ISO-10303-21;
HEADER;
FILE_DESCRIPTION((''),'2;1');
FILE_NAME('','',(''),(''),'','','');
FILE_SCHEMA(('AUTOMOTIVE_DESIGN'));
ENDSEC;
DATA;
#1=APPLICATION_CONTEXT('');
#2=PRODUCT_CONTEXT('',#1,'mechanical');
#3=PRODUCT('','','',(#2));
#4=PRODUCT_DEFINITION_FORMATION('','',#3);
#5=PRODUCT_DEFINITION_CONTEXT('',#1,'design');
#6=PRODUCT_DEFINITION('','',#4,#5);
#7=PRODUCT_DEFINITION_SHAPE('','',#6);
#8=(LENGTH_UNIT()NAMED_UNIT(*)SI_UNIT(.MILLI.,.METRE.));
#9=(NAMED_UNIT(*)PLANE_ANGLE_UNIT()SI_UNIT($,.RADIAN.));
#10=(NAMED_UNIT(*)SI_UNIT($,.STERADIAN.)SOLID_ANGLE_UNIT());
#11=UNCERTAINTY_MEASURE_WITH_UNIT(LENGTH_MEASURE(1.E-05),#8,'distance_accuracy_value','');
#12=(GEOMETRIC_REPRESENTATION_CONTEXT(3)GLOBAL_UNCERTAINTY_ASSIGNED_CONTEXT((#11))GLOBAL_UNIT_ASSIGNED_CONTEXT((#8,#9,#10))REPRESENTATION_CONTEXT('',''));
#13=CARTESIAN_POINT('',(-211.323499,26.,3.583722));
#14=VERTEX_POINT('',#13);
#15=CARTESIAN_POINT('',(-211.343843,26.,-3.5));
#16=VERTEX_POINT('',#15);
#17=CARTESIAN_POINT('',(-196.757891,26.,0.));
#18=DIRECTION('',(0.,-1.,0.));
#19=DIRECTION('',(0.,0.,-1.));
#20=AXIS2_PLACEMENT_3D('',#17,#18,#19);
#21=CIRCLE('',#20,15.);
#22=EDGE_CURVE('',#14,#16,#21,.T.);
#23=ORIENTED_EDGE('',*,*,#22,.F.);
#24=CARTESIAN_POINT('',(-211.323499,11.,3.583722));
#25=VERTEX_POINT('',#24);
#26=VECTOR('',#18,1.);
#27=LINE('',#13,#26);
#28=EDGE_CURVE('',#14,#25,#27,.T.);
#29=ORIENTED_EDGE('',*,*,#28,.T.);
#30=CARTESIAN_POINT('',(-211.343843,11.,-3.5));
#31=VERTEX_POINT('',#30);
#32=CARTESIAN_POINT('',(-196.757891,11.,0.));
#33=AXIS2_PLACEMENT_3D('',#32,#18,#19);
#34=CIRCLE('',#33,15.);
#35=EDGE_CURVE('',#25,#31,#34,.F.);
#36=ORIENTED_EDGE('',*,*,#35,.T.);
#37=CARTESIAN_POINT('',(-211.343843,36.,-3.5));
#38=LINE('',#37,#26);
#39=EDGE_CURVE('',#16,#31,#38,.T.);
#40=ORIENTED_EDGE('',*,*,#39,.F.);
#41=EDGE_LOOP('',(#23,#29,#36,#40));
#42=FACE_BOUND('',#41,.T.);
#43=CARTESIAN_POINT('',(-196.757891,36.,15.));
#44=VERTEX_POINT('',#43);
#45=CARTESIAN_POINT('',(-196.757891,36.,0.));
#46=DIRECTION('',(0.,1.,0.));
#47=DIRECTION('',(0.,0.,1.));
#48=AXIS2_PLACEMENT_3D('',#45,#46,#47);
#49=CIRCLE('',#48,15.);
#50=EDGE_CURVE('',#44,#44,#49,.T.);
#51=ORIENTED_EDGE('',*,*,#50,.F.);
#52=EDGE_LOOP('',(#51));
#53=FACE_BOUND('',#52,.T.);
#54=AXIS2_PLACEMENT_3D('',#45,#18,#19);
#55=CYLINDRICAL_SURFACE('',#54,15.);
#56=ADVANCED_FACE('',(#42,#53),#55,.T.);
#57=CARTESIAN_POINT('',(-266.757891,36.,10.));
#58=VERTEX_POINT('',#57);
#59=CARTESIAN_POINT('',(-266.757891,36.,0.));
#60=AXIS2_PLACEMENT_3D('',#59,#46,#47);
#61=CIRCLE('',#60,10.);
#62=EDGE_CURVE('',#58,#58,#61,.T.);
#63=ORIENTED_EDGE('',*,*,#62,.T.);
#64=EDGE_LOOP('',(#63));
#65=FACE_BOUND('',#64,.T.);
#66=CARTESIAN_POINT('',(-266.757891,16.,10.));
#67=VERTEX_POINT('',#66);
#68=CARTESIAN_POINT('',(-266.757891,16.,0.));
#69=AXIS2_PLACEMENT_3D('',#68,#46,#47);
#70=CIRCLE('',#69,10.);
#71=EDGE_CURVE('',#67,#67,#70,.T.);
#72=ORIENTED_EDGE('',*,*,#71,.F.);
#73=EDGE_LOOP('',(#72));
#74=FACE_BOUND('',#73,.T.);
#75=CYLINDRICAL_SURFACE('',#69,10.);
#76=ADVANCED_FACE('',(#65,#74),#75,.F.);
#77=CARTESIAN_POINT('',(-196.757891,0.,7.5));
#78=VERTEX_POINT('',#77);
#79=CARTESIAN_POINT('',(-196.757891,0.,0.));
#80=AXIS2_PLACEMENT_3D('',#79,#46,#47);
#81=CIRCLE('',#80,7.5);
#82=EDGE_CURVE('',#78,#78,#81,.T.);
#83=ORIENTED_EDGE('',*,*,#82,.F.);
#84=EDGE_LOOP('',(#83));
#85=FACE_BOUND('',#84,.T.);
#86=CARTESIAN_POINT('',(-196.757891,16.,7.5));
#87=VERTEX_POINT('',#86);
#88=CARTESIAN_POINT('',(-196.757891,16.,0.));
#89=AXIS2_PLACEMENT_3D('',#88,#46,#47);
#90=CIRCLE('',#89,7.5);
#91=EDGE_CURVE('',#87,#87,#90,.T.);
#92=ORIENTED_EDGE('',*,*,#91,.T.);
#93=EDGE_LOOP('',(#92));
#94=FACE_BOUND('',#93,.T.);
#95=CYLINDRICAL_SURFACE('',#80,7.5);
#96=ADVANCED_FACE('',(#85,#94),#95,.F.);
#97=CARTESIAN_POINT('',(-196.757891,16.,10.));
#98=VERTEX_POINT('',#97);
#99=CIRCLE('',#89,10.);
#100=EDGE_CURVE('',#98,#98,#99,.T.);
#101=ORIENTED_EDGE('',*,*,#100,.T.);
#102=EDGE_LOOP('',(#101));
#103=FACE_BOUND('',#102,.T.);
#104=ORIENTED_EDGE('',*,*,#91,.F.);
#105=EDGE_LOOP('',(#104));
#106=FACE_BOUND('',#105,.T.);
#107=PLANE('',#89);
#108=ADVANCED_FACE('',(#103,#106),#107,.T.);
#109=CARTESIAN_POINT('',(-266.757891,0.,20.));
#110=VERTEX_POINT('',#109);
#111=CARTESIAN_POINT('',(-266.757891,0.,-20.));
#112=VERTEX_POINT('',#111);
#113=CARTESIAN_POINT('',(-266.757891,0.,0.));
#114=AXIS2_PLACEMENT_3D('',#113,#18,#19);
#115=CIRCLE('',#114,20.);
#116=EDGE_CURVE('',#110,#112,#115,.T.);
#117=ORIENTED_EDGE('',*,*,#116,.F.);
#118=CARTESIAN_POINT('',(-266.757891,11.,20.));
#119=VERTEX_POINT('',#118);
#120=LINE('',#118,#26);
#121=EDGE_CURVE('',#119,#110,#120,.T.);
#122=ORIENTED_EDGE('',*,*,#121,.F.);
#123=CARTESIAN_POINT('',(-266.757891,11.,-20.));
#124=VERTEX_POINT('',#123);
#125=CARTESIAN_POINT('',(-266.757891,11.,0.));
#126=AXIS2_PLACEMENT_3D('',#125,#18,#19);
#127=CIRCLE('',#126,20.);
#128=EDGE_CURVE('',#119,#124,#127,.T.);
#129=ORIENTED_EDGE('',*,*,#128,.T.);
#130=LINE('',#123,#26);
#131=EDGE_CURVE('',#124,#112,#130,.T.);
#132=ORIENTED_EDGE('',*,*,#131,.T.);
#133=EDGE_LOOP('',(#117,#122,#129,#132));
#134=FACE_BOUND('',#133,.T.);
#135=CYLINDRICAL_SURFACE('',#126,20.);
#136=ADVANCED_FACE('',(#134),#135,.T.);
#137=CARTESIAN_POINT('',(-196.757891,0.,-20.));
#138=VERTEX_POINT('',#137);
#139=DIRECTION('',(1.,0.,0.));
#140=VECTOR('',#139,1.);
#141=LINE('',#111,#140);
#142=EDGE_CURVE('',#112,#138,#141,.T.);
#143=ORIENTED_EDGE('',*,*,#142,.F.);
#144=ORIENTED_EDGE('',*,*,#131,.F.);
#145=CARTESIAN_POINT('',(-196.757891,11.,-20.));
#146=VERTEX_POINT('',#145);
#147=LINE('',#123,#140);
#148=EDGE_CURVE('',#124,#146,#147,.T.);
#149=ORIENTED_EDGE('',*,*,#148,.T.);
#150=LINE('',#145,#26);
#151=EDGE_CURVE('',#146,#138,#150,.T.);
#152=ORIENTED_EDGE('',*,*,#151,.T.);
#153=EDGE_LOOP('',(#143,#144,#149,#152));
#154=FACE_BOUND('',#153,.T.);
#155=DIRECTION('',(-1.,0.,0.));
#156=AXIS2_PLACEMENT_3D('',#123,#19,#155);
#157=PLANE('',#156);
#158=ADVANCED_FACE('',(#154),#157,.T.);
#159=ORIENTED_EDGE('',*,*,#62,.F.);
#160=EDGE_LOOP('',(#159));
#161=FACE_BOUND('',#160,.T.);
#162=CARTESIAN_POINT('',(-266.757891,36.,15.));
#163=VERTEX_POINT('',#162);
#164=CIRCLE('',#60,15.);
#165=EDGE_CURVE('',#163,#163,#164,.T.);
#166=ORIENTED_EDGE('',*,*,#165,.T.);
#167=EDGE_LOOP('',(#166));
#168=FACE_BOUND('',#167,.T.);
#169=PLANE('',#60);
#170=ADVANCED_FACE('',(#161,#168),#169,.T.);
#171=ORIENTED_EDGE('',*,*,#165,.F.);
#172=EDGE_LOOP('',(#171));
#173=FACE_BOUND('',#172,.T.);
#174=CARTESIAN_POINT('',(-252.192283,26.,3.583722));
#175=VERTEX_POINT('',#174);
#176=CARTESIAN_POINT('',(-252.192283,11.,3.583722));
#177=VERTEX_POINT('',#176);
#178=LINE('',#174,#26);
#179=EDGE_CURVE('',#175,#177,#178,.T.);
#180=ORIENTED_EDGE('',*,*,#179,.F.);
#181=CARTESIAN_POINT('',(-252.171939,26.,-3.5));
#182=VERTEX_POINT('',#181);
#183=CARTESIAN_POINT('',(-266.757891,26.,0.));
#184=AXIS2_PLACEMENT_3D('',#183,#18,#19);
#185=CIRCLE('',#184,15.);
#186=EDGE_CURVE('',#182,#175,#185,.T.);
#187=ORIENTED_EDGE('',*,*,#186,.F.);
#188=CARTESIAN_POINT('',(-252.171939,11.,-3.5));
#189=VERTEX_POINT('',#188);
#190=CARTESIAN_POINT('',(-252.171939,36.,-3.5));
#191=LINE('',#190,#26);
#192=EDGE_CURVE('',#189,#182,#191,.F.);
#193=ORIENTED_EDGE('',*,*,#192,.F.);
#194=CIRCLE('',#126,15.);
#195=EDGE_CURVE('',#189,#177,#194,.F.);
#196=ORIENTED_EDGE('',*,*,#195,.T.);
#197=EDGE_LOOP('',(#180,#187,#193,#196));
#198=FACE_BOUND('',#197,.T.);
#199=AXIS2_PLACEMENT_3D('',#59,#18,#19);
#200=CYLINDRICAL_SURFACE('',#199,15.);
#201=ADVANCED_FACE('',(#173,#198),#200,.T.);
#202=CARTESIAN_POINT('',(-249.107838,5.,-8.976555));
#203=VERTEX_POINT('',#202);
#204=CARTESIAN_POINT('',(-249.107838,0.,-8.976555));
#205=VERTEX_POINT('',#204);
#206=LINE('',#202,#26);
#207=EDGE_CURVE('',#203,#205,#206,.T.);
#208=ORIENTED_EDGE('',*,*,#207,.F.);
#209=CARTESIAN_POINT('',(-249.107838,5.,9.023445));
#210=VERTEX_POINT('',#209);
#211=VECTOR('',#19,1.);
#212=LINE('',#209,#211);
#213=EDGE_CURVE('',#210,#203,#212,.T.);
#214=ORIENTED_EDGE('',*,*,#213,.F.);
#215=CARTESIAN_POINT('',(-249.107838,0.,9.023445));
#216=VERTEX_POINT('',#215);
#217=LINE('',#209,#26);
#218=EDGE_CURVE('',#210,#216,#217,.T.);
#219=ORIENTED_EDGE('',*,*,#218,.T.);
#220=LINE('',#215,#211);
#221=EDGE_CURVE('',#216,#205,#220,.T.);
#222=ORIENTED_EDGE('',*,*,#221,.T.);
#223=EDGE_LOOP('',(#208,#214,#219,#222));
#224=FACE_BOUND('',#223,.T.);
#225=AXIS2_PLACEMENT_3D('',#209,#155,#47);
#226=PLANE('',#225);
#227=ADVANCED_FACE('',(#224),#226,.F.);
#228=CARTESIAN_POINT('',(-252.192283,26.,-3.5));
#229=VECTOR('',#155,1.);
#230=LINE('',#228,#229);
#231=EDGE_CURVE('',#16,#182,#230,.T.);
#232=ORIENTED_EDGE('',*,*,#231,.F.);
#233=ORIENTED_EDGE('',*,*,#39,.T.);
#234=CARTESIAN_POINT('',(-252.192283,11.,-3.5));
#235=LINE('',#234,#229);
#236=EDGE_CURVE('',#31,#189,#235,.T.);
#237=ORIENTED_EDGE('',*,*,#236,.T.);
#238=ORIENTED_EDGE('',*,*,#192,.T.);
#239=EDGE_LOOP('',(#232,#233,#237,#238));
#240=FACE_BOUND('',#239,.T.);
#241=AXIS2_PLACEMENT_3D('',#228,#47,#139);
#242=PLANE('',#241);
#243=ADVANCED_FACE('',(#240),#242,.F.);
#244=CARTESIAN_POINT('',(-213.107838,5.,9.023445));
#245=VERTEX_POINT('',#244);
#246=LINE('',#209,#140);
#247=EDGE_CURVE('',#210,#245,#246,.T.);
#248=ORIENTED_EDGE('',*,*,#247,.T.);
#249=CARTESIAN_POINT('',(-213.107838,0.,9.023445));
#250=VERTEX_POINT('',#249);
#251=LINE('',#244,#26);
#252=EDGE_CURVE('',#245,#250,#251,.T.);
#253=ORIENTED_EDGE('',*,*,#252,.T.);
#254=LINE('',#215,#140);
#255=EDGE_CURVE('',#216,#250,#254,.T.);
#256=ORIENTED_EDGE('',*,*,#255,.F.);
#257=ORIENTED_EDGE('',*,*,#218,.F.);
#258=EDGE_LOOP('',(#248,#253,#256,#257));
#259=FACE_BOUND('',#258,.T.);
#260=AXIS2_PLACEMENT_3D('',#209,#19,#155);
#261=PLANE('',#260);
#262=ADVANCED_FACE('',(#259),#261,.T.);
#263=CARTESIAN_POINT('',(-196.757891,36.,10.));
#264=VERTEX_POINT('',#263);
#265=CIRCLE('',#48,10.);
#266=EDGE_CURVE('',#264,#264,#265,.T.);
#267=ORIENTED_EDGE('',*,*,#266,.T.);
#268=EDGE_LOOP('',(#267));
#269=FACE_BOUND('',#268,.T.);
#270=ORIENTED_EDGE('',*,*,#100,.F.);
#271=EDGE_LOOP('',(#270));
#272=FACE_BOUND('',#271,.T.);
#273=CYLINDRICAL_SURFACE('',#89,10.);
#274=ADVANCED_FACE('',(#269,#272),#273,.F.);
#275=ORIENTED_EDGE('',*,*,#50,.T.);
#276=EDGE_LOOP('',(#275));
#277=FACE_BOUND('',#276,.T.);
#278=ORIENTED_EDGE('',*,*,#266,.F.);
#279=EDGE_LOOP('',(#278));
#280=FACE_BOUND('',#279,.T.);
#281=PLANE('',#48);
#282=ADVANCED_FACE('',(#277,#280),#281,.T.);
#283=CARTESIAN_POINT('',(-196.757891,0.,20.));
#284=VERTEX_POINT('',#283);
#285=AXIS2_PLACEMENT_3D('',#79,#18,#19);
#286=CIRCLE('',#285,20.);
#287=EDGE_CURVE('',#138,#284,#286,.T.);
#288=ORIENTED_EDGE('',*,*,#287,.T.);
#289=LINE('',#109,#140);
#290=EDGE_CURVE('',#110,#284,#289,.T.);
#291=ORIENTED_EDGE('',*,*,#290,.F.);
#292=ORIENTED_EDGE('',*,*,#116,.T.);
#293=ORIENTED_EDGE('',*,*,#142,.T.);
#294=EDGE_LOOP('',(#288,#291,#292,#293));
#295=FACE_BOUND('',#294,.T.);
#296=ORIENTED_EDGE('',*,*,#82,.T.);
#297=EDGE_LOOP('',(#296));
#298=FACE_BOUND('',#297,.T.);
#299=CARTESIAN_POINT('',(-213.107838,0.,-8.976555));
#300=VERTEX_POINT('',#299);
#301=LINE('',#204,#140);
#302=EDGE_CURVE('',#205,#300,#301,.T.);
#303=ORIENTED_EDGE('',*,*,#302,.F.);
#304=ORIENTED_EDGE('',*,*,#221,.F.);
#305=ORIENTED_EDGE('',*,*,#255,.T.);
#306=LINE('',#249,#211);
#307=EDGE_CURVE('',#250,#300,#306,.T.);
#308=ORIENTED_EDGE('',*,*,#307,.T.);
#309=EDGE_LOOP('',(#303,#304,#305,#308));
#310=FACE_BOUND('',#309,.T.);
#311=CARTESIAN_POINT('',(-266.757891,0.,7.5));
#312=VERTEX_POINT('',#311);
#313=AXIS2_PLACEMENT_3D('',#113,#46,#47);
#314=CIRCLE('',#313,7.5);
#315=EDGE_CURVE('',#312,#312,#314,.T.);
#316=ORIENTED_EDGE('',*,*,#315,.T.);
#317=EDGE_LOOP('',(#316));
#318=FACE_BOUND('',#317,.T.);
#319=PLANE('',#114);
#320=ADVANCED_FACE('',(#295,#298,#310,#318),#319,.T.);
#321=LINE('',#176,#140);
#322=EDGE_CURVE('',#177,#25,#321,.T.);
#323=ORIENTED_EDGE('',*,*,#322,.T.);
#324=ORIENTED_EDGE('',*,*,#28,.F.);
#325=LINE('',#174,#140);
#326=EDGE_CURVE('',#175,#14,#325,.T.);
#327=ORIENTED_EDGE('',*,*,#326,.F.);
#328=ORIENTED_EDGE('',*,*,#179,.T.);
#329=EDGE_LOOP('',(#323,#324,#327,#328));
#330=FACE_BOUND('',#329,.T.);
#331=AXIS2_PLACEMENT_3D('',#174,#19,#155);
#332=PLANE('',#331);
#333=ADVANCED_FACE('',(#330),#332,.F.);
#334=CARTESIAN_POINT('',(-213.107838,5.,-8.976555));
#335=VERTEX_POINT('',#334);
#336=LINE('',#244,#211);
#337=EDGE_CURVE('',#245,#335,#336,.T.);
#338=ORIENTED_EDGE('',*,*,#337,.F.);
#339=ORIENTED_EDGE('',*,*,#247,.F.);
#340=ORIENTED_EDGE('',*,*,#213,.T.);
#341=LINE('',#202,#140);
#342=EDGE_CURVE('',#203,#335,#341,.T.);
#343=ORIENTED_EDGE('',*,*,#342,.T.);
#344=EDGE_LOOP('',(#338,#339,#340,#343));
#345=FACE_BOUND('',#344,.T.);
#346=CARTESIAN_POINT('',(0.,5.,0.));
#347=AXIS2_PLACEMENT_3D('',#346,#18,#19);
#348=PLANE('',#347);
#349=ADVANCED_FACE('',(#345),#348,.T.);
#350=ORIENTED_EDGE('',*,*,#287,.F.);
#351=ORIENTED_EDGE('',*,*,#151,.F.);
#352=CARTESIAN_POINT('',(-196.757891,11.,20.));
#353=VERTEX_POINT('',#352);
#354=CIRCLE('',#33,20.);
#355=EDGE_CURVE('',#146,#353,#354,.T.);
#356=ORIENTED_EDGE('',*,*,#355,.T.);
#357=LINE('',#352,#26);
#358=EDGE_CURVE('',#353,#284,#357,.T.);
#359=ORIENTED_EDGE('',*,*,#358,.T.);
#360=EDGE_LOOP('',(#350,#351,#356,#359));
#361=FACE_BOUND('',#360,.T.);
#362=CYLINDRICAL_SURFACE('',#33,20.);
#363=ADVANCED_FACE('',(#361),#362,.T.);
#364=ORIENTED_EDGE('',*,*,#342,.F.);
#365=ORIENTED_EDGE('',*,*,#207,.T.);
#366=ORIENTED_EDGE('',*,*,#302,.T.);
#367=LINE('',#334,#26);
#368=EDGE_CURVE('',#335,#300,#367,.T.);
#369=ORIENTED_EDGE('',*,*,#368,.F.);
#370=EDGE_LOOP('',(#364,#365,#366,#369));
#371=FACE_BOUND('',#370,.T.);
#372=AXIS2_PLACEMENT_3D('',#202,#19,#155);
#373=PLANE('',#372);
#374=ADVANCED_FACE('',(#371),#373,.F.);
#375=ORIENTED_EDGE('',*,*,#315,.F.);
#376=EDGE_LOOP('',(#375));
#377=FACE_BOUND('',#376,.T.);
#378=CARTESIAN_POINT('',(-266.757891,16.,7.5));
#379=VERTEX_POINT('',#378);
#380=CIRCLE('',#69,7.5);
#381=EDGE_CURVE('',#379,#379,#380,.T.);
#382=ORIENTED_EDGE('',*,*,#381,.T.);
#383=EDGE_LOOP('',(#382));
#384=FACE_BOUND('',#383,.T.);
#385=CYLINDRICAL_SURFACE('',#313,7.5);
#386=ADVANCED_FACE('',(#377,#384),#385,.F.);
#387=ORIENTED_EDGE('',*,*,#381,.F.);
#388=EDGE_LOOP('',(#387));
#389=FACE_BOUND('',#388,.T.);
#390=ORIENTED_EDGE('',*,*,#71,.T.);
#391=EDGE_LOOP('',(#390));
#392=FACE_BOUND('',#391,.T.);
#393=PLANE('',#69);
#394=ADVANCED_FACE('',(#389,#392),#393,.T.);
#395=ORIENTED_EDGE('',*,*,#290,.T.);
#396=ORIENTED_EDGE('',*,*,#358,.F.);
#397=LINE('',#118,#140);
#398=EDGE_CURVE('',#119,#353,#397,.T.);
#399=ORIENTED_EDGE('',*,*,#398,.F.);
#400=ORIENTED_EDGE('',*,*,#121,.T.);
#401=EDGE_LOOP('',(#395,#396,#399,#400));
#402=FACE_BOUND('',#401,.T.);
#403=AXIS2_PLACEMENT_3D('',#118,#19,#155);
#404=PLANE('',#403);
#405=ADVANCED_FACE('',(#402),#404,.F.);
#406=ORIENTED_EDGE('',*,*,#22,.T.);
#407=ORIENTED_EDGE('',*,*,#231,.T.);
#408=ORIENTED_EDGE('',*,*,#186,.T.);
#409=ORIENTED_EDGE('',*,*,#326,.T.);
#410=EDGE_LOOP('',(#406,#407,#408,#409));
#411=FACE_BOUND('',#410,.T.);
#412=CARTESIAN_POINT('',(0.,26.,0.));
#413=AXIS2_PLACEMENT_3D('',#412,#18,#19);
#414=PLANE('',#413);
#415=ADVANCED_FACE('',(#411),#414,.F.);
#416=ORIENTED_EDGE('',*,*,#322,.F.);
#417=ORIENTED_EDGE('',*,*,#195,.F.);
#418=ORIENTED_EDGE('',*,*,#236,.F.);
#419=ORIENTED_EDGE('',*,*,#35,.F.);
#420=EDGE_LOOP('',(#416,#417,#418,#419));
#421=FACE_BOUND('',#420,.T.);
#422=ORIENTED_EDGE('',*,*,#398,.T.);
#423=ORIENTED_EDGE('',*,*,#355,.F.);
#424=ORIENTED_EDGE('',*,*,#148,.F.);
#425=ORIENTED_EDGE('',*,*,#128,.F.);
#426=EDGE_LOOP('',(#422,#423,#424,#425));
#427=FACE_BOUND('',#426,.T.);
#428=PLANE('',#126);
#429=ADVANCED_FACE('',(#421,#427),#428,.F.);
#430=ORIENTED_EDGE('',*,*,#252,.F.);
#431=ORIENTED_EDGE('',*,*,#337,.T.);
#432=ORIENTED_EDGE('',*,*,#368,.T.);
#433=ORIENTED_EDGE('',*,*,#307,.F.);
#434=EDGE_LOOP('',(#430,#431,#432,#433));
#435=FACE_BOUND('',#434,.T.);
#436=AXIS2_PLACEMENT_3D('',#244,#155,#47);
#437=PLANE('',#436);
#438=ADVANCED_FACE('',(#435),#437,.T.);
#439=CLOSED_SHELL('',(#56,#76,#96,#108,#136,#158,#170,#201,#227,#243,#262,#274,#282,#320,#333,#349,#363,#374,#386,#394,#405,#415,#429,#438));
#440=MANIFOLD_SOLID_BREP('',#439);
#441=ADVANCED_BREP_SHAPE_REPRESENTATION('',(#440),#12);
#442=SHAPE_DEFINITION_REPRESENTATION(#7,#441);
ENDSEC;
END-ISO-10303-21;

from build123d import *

# Parameters (mm, degrees)
BOSS_EXTRUDE2_DEPTH = 11
SKETCH5_R           = 15
BOSS_EXTRUDE4_DEPTH = 25
SKETCH6_R           = 10
CUT_EXTRUDE1_DEPTH  = 20
SKETCH7_R           = 7.5
CUT_EXTRUDE2_DEPTH  = 289.149419546
SKETCH8_W           = 40.868784051
SKETCH8_H           = 7.083722135
BOSS_EXTRUDE5_DEPTH = 15
SKETCH9_W           = 36
SKETCH9_H           = 18
CUT_EXTRUDE3_DEPTH  = 5


with BuildPart() as part:
    # Sketch3 → Boss-Extrude2 (new body)
    with BuildSketch(Plane(origin=(0, 0, 0), x_dir=(1, 0, 0), z_dir=(0, 1, 0))):
        with BuildLine():
            Line((-266.757890885, 20), (-196.757890885, 20))
            ThreePointArc((-196.757890885, 20), (-176.757890885, 0), (-196.757890885, -20))
            Line((-196.757890885, -20), (-266.757890885, -20))
            ThreePointArc((-266.757890885, -20), (-286.757890885, 0), (-266.757890885, 20))
        make_face()
    extrude(amount=BOSS_EXTRUDE2_DEPTH)

    # Sketch5 → Boss-Extrude4 (add)
    with BuildSketch(Plane(origin=(0, 11, 0), x_dir=(1, 0, 0), z_dir=(0, 1, 0))):
        with Locations(Location((-196.757890885, 0, 0), (0, 0, 90))):
            Circle(SKETCH5_R)
        with Locations(Location((-266.757890885, 0, 0), (0, 0, 90))):
            Circle(SKETCH5_R)
    extrude(amount=BOSS_EXTRUDE4_DEPTH)

    # Sketch6 → Cut-Extrude1 (cut)
    with BuildSketch(Plane(origin=(0, 36, 0), x_dir=(1, 0, 0), z_dir=(0, 1, 0))):
        with Locations(Location((-266.757890885, 0, 0), (0, 0, 270))):
            Circle(SKETCH6_R)
        with Locations(Location((-196.757890885, 0, 0), (0, 0, 270))):
            Circle(SKETCH6_R)
    extrude(amount=-CUT_EXTRUDE1_DEPTH, mode=Mode.SUBTRACT)

    # Sketch7 → Cut-Extrude2 (cut, through all)
    with BuildSketch(Plane(origin=(0, 16, 0), x_dir=(1, 0, 0), z_dir=(0, 1, 0))):
        with Locations(Location((-196.757890885, 0, 0), (0, 0, 270))):
            Circle(SKETCH7_R)
        with Locations(Location((-266.757890885, 0, 0), (0, 0, 270))):
            Circle(SKETCH7_R)
    extrude(amount=-CUT_EXTRUDE2_DEPTH, mode=Mode.SUBTRACT)

    # Sketch8 → Boss-Extrude5 (add)
    with BuildSketch(Plane(origin=(0, 11, 0), x_dir=(1, 0, 0), z_dir=(0, 1, 0))):
        with Locations((-231.757890885, -0.041861068)):
            Rectangle(SKETCH8_W, SKETCH8_H)
    extrude(amount=BOSS_EXTRUDE5_DEPTH)

    # Sketch9 → Cut-Extrude3 (cut)
    with BuildSketch(Plane.XZ):
        with Locations((-231.107838077, 0.023445498)):
            Rectangle(SKETCH9_W, SKETCH9_H)
    extrude(amount=-CUT_EXTRUDE3_DEPTH, mode=Mode.SUBTRACT)


solid = part.part
